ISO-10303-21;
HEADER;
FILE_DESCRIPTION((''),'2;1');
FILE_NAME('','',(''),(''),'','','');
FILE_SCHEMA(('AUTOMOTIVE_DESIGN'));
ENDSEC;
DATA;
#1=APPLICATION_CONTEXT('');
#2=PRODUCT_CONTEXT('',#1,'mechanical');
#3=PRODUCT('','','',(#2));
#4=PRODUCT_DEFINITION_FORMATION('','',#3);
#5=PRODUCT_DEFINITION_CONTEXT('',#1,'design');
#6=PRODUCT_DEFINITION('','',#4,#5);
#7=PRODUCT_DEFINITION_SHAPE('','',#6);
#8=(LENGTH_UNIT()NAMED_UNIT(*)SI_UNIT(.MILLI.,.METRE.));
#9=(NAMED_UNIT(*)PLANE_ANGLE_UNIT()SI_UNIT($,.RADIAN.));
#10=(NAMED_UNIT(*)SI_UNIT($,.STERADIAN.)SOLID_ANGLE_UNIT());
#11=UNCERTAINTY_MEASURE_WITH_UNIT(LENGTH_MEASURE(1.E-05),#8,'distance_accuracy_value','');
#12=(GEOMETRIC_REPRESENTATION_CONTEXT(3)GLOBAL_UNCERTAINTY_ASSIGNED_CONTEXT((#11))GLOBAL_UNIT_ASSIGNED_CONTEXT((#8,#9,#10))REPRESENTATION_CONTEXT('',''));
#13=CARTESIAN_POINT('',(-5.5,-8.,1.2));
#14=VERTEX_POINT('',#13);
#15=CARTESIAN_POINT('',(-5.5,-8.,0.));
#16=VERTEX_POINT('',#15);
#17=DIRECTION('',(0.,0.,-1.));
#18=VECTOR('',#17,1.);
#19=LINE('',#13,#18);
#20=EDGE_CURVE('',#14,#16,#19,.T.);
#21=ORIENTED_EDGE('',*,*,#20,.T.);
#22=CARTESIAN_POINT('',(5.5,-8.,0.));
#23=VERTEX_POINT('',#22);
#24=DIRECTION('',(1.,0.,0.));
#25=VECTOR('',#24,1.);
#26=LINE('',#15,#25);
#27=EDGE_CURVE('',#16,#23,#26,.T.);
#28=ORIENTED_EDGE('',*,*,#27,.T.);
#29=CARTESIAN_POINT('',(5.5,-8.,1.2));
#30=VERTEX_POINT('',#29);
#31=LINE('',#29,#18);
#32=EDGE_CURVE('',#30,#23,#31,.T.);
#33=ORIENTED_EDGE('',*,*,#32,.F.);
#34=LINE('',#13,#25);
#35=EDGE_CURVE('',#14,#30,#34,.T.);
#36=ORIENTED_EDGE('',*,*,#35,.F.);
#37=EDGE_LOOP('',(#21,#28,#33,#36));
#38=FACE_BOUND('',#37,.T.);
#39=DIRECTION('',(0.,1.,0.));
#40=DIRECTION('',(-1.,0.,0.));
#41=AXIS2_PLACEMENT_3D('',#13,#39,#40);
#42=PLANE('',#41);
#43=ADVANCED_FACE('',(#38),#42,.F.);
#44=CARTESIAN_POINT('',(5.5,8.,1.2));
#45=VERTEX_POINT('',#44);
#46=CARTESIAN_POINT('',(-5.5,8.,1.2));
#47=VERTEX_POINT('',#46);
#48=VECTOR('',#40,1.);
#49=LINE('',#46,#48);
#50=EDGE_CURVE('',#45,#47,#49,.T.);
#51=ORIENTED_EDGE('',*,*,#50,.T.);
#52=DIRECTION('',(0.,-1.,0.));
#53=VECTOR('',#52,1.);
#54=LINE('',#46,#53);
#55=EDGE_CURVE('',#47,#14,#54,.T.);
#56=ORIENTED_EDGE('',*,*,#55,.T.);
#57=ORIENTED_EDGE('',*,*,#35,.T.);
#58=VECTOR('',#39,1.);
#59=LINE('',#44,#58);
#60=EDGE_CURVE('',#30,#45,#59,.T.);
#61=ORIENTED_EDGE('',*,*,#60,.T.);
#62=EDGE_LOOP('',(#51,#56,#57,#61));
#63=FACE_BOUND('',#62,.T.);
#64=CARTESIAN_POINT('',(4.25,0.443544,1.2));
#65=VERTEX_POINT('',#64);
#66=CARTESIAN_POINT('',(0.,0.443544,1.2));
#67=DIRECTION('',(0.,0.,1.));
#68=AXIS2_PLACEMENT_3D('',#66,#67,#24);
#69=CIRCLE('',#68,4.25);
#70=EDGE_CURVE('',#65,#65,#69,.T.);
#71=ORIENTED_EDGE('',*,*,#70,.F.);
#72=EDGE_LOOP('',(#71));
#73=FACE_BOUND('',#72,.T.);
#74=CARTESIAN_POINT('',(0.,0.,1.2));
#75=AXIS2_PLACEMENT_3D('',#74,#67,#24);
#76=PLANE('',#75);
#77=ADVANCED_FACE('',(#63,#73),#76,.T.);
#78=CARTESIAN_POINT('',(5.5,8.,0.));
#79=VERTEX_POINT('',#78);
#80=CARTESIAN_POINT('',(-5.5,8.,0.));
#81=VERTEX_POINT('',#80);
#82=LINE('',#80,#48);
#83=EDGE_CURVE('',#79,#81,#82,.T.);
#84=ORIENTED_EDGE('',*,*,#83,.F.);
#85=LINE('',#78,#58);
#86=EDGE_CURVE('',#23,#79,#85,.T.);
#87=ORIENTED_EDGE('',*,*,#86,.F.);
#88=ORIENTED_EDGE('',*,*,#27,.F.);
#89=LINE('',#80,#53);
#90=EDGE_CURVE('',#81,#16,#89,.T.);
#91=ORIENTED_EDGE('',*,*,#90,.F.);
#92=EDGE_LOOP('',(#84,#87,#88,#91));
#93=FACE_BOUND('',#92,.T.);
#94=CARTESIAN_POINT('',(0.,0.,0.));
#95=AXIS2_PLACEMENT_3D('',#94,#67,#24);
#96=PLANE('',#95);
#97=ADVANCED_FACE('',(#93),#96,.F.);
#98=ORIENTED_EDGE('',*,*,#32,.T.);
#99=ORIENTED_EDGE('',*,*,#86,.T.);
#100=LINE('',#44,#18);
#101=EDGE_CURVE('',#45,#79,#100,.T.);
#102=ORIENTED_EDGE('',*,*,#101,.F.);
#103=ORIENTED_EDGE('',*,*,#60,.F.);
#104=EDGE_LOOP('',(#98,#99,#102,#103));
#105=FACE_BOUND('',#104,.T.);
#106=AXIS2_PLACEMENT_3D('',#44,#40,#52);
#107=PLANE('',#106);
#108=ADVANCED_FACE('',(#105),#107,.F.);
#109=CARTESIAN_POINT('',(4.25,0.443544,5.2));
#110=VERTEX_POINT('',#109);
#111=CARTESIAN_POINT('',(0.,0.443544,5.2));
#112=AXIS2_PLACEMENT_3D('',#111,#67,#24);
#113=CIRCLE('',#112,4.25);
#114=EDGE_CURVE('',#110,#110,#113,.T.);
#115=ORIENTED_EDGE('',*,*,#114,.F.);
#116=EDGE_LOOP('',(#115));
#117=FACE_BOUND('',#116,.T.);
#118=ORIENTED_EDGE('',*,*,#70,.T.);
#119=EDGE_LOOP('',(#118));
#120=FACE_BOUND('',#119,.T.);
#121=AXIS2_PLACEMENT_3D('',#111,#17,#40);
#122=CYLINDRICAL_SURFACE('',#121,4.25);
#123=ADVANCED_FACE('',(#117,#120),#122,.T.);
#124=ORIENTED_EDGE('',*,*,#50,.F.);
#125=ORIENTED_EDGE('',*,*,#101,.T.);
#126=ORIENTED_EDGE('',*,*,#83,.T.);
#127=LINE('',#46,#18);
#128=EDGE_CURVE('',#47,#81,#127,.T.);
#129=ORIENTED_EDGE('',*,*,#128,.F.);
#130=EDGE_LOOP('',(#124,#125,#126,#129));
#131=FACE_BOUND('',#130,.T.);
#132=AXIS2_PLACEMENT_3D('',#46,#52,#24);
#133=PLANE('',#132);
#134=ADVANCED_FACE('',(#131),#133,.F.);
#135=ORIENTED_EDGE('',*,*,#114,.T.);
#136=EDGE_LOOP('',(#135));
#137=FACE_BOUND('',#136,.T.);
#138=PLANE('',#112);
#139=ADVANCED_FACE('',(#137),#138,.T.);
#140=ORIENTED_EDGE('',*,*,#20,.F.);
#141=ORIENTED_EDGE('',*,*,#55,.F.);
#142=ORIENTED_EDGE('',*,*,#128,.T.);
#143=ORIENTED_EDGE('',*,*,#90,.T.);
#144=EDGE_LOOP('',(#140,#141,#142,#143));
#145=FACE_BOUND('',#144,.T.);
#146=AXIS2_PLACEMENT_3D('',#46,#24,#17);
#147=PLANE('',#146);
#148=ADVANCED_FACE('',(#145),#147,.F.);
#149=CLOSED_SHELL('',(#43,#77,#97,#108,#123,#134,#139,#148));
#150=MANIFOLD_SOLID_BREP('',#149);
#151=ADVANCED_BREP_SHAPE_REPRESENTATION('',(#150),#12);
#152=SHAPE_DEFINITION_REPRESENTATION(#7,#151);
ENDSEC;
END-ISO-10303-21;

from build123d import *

# Parameters (mm, degrees)
SKETCH1_W           = 11
SKETCH1_H           = 16
BOSS_EXTRUDE1_DEPTH = 1.2
SKETCH2_R           = 4.25
BOSS_EXTRUDE2_DEPTH = 4


with BuildPart() as part:
    # Sketch1 → Boss-Extrude1 (new body)
    with BuildSketch(Plane.XY):
        Rectangle(SKETCH1_W, SKETCH1_H)
    extrude(amount=BOSS_EXTRUDE1_DEPTH)

    # Sketch2 → Boss-Extrude2 (add)
    with BuildSketch(Plane.XY.offset(1.2)):
        with Locations((0, 0.443544307)):
            Circle(SKETCH2_R)
    extrude(amount=BOSS_EXTRUDE2_DEPTH)


solid = part.part
